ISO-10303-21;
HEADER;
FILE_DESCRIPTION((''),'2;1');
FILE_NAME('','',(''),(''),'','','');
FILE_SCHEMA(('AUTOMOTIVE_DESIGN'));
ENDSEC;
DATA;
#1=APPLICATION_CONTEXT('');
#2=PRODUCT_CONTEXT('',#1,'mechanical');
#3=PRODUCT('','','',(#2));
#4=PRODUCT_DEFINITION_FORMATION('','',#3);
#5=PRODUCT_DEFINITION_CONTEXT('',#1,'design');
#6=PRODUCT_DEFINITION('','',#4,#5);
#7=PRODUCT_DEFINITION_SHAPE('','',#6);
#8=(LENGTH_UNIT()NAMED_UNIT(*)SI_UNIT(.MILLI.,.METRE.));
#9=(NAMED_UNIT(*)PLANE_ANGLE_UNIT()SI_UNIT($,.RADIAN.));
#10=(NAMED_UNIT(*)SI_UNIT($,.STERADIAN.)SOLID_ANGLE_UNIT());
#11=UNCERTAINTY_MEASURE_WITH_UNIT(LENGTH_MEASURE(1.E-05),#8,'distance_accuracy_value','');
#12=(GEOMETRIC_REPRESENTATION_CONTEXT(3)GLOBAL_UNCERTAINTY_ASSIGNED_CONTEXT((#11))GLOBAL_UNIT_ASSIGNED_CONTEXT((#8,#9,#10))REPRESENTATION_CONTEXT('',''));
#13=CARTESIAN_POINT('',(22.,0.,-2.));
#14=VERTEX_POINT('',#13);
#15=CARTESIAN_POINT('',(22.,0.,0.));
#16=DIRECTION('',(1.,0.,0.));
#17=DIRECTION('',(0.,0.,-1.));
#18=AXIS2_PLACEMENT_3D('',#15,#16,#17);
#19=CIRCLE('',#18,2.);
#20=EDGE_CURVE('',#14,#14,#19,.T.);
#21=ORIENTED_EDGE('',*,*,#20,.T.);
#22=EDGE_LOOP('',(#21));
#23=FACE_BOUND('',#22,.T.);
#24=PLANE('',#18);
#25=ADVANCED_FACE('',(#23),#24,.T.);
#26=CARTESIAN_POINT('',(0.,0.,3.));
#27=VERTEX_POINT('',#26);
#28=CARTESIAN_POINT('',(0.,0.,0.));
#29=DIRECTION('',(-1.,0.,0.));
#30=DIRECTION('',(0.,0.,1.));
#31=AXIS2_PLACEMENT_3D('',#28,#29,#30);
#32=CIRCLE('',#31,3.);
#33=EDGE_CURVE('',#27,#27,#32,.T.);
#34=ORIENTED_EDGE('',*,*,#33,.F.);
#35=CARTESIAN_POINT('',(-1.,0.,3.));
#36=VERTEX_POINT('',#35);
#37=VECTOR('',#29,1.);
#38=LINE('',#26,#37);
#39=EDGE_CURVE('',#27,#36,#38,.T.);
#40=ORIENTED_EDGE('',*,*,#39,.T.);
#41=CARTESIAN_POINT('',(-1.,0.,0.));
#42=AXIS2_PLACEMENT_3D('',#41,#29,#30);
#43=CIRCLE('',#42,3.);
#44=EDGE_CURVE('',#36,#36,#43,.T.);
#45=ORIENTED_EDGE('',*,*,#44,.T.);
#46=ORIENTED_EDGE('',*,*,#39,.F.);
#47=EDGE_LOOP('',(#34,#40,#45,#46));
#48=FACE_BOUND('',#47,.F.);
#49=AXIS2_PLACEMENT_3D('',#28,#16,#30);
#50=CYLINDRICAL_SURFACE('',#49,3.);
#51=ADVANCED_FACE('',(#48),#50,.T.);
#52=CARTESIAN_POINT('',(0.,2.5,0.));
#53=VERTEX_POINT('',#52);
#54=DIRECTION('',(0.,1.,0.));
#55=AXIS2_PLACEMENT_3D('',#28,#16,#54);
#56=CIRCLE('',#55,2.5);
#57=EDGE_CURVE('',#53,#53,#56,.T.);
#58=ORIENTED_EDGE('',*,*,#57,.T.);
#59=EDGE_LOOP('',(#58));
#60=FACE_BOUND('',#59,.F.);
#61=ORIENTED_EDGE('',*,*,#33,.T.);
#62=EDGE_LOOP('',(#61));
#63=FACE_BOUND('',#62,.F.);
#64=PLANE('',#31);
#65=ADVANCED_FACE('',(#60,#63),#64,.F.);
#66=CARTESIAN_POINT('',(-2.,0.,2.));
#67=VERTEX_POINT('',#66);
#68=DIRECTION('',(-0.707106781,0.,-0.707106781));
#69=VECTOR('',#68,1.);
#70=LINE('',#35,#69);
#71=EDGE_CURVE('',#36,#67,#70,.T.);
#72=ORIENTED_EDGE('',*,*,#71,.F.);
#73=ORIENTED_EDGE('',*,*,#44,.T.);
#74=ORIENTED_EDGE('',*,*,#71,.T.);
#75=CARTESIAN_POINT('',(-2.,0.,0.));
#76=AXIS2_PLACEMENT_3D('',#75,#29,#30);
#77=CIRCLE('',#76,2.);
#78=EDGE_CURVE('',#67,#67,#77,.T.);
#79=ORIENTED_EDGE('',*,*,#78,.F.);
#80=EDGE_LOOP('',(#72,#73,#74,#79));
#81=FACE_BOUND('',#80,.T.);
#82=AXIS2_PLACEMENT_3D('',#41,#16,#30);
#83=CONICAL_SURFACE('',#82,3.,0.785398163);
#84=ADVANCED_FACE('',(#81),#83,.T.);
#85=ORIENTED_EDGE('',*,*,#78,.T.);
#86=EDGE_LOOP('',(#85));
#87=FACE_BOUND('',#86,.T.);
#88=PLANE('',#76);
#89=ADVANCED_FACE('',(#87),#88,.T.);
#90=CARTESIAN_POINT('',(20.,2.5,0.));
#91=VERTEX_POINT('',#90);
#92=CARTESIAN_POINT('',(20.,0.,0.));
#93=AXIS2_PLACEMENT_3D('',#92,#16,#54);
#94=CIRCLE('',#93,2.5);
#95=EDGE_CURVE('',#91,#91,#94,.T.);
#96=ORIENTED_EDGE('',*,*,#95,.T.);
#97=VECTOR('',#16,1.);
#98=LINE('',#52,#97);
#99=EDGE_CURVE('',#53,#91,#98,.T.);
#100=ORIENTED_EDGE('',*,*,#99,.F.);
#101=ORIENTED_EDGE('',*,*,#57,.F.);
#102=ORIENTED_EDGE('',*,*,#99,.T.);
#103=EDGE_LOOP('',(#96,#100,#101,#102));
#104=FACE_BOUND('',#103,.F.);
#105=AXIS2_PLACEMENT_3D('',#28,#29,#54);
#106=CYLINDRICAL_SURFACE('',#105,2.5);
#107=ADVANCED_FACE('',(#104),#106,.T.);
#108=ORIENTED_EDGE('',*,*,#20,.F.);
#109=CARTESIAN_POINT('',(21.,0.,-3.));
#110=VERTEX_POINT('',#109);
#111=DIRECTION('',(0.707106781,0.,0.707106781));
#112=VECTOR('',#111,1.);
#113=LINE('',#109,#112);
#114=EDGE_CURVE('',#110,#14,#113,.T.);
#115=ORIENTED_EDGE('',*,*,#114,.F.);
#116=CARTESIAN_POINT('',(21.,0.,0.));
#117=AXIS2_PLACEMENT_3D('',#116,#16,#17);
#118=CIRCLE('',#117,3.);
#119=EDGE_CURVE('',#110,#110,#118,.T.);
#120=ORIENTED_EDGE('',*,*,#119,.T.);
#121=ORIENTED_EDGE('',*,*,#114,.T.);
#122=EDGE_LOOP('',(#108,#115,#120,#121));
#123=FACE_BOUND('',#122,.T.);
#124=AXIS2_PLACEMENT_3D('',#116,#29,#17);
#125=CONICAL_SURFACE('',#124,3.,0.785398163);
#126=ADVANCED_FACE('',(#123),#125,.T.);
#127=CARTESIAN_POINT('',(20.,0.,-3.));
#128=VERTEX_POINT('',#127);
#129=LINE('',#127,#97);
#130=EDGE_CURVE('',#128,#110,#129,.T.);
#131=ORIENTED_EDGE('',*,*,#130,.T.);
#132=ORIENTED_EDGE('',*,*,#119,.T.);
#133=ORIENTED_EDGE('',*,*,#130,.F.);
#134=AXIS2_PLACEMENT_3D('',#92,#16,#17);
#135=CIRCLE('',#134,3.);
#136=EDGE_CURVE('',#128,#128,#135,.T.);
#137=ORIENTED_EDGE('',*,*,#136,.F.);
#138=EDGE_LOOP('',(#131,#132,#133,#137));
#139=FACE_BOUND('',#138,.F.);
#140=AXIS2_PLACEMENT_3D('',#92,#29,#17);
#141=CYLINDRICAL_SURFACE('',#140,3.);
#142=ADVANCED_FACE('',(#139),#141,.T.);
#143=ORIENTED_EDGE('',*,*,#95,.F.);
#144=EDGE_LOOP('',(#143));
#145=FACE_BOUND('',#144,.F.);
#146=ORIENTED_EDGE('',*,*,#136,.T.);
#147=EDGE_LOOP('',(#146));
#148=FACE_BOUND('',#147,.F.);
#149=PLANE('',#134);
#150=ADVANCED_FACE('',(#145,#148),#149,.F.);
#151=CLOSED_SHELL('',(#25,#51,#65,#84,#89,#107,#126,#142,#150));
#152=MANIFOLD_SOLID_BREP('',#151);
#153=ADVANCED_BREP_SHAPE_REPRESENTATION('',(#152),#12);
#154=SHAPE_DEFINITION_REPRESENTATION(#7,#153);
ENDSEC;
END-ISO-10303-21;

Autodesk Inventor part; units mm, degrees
ref_plane "YZ Plane" through (0, 0, 0) normal (1, 0, 0) x (0, 1, 0)
ref_plane "XZ Plane" through (0, 0, 0) normal (0, 1, 0) x (-1, 0, 0)
ref_plane "XY Plane" through (0, 0, 0) normal (0, 0, 1) x (1, 0, 0)
sketch "Sketch1" plane through (0, 0, 0) normal (1, 0, 0) x (0, 1, 0)
  circle A0 centre (0, 0) radius 2.5
  dimension "d0" = 5
extrude "Extrusion1" add sketch "Sketch1" along normal blind 20
sketch "Sketch2" plane through (20, 0, 0) normal (1, 0, 0) x (0, 0, -1)
  circle A0 centre (0, 0) radius 3
  dimension "d3" = 6
extrude "Extrusion2" add sketch "Sketch2" along normal blind 2
chamfer "Chamfer1" distance 1 angle 45 1 edges at (22, 0, 3)
sketch "Sketch3" plane through (0, 0, 0) normal (-1, 0, 0) x (0, 0, 1)
  circle A0 centre (0, 0) radius 3
extrude "Extrusion3" add sketch "Sketch3" along normal blind 2
chamfer "Chamfer2" distance 1 angle 45 1 edges at (-2, 0, -3)
properties part number "Shaft"
